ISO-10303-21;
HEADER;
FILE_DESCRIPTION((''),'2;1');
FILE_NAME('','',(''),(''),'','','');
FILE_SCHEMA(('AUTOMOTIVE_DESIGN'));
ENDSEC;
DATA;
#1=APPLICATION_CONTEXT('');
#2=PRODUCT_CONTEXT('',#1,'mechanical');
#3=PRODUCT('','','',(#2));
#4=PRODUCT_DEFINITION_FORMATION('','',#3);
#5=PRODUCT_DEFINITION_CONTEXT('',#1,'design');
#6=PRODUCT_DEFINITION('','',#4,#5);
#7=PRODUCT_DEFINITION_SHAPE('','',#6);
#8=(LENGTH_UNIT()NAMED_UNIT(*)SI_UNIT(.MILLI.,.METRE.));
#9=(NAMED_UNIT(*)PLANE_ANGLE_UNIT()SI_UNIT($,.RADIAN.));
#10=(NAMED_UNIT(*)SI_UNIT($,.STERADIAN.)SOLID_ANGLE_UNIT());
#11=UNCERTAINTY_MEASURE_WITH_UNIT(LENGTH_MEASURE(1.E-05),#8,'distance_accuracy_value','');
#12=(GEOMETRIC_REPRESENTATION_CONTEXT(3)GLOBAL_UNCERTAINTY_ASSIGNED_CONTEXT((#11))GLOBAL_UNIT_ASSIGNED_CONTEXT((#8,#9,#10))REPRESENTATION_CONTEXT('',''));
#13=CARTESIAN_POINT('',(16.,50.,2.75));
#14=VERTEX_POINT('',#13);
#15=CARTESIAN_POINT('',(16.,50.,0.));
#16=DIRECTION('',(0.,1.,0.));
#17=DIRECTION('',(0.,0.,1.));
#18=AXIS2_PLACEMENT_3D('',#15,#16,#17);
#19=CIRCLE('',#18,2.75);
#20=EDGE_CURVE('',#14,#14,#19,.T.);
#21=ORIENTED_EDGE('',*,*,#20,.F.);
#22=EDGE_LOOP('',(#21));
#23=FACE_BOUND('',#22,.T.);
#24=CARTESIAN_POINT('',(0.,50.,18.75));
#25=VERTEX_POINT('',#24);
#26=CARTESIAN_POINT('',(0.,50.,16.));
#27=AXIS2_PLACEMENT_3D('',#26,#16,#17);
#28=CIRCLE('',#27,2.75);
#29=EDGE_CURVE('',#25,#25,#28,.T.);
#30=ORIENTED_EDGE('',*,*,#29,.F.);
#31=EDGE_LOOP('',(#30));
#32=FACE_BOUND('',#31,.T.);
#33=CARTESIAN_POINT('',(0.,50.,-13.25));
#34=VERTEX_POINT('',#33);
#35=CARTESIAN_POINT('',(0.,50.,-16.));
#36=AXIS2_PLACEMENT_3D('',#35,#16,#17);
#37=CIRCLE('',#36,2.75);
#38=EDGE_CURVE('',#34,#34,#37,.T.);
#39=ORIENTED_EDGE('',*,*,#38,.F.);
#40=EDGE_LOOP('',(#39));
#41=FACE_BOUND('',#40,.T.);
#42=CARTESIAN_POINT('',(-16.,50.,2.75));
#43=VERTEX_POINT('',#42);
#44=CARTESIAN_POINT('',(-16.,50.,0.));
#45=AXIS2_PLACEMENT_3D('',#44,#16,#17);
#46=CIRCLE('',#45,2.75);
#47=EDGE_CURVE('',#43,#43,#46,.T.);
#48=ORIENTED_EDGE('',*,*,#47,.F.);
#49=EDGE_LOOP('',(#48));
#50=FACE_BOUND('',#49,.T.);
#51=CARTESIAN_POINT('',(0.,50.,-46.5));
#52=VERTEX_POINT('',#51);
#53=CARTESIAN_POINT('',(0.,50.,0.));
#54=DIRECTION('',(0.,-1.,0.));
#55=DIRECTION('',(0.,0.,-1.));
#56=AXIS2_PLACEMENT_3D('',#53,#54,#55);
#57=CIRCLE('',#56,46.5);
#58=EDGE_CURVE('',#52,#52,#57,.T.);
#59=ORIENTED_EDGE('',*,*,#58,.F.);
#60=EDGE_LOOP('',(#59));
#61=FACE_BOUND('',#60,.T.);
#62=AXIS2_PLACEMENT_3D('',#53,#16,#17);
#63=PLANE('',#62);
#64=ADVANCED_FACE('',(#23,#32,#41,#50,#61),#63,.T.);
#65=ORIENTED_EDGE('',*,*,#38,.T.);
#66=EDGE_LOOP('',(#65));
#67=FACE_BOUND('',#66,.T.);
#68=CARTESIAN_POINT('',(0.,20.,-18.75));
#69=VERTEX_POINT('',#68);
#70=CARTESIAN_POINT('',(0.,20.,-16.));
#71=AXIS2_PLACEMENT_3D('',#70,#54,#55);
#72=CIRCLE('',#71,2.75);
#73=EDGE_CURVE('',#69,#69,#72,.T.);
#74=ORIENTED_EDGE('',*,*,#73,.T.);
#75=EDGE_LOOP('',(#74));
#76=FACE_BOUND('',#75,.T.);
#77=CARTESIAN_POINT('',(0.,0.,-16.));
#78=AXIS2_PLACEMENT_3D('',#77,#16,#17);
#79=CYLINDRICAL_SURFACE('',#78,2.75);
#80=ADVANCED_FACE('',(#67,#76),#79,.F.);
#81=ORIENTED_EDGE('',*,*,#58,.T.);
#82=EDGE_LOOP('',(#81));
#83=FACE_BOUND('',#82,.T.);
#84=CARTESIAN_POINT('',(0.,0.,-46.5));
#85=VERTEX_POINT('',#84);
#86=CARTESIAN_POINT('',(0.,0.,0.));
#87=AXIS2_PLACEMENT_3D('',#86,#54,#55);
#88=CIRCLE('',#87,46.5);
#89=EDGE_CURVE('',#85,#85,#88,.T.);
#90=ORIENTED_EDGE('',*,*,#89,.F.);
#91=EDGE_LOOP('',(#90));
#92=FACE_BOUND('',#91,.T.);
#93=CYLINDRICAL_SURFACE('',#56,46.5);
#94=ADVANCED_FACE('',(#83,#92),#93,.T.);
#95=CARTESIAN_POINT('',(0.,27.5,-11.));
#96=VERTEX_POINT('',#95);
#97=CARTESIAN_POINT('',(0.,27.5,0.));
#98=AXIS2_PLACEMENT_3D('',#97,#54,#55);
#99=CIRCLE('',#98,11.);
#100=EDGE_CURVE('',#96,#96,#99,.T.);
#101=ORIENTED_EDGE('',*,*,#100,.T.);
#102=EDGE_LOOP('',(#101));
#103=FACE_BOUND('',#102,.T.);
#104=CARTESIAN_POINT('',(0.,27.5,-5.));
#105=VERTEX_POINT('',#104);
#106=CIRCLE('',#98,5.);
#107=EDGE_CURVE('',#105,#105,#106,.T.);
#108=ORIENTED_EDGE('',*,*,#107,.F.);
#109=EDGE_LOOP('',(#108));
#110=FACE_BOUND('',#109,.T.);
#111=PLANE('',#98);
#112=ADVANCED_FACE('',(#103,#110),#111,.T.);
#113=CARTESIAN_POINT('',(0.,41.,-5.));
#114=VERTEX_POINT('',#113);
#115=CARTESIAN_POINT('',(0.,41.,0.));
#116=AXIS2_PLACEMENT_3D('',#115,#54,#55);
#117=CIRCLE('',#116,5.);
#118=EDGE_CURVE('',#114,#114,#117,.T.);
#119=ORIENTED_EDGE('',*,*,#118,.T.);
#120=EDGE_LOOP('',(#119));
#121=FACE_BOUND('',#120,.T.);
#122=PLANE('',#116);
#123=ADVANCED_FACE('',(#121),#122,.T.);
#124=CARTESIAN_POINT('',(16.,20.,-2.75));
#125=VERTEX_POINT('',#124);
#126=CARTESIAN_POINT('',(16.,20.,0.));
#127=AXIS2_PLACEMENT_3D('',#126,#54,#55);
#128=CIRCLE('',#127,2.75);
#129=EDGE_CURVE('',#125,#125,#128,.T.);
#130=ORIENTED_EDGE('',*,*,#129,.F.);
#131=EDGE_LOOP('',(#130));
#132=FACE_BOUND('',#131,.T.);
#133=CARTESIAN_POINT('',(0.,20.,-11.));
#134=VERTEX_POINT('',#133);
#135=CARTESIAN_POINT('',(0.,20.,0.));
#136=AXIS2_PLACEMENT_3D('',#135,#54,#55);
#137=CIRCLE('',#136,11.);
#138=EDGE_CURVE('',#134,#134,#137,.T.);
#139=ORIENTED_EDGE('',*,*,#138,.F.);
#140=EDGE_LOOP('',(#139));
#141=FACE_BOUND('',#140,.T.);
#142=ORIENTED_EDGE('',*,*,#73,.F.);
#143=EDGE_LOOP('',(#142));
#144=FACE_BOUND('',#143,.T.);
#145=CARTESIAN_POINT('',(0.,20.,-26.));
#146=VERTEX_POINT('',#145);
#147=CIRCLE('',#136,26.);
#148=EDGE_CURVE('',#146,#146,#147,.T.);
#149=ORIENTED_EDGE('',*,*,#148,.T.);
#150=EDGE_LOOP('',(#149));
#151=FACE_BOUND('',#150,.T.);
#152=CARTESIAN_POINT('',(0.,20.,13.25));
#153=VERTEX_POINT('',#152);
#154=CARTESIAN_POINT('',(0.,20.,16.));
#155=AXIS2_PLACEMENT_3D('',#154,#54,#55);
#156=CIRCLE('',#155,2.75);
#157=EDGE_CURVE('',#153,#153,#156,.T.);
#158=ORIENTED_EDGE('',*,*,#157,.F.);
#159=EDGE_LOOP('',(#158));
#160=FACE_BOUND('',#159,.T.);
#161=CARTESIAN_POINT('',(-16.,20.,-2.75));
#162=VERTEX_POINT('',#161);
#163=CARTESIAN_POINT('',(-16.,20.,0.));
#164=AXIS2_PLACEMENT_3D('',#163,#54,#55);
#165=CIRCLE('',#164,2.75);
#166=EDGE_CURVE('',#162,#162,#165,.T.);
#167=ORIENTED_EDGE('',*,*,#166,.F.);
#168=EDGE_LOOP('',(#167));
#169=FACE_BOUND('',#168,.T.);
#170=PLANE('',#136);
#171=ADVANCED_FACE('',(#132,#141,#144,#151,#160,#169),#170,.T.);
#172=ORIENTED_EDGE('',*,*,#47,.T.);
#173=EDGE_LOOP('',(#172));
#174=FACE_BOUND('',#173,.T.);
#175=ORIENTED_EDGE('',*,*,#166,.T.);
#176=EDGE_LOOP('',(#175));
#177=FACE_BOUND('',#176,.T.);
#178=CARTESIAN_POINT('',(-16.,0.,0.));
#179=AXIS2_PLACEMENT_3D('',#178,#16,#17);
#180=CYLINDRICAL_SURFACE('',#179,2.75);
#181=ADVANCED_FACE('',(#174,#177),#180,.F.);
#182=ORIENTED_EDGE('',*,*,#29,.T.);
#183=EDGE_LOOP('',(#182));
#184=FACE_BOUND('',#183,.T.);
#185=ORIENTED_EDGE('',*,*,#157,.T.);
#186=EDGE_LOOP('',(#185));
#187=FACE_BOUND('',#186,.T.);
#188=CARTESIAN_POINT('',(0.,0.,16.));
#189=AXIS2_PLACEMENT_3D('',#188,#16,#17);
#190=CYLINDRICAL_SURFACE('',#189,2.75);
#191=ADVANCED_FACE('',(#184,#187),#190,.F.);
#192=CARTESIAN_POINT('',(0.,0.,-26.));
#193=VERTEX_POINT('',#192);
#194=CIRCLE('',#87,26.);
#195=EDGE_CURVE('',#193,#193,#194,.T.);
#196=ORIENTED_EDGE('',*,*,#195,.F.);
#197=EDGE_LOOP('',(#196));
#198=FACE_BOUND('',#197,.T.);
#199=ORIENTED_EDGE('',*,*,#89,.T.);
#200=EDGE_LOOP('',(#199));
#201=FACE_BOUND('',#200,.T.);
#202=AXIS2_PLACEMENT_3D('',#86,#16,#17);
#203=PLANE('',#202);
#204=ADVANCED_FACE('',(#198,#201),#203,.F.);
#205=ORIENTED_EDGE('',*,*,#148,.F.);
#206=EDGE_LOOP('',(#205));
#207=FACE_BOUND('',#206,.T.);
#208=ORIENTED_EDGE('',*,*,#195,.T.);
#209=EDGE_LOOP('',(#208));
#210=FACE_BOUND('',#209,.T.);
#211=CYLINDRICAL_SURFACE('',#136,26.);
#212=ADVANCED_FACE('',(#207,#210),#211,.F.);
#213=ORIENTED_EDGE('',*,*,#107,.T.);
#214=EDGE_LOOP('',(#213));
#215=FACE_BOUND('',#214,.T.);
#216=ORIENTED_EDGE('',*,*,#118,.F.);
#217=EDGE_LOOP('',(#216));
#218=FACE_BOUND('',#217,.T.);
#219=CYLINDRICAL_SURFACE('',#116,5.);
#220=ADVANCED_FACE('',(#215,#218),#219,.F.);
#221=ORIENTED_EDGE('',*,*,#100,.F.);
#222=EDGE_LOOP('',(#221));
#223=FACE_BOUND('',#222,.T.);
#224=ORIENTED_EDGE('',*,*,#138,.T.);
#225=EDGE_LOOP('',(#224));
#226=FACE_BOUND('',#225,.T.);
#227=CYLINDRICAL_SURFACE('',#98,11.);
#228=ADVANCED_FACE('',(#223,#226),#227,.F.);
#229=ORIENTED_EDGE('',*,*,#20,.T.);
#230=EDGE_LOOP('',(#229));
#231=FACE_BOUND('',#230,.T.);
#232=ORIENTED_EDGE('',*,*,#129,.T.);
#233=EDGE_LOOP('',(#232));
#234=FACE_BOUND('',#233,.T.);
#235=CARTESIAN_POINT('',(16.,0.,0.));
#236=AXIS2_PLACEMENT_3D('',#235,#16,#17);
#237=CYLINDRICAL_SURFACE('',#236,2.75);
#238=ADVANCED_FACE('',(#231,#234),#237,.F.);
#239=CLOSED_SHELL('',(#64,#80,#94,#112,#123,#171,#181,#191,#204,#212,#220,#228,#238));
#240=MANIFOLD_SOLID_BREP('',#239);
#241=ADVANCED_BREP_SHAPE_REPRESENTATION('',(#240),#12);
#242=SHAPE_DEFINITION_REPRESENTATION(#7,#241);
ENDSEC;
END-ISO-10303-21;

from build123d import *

# Parameters (mm, degrees)
ESQUISSE1_R              = 47.75
BOSS_EXTRU_1_DEPTH       = 50
ESQUISSE2_R              = 26
ENL_V_MAT_EXTRU_1_DEPTH  = 20
ESQUISSE3_R              = 11
ENL_V_MAT_EXTRU_5_DEPTH  = 7.5
ESQUISSE4_R              = 5
ENL_V_MAT_EXTRU_6_DEPTH  = 13.5
ESQUISSE11_R             = 2.75
ENL_V_MAT_EXTRU_11_DEPTH = 85.024549984
ESQUISSE12_R             = 47.75
ESQUISSE12_R_2           = 46.5
ENL_V_MAT_EXTRU_12_DEPTH = 85.024549984


with BuildPart() as part:
    # Esquisse1 → Boss.-Extru.1 (new body)
    with BuildSketch(Plane(origin=(0, 0, 0), x_dir=(1, 0, 0), z_dir=(0, 1, 0))):
        with Locations(Location((0, 0, 0), (0, 0, 270))):
            Circle(ESQUISSE1_R)
    extrude(amount=BOSS_EXTRU_1_DEPTH)

    # Esquisse2 → Enlèv. mat.-Extru.1 (cut)
    with BuildSketch(Plane(origin=(0, 0, 0), x_dir=(-1, 0, 0), z_dir=(0, -1, 0))):
        with Locations(Location((0, 0, 0), (0, 0, 90))):
            Circle(ESQUISSE2_R)
    extrude(amount=-ENL_V_MAT_EXTRU_1_DEPTH, mode=Mode.SUBTRACT)

    # Esquisse3 → Enlèv. mat.-Extru.5 (cut)
    with BuildSketch(Plane(origin=(0, 20, 0), x_dir=(-1, 0, 0), z_dir=(0, -1, 0))):
        with Locations(Location((0, 0, 0), (0, 0, 90))):
            Circle(ESQUISSE3_R)
    extrude(amount=-ENL_V_MAT_EXTRU_5_DEPTH, mode=Mode.SUBTRACT)

    # Esquisse4 → Enlèv. mat.-Extru.6 (cut)
    with BuildSketch(Plane(origin=(0, 27.5, 0), x_dir=(-1, 0, 0), z_dir=(0, -1, 0))):
        with Locations(Location((0, 0, 0), (0, 0, 90))):
            Circle(ESQUISSE4_R)
    extrude(amount=-ENL_V_MAT_EXTRU_6_DEPTH, mode=Mode.SUBTRACT)

    # Esquisse11 → Enlèv. mat.-Extru.11 (cut, through all)
    with BuildSketch(Plane(origin=(0, 50, 0), x_dir=(1, 0, 0), z_dir=(0, 1, 0))):
        with Locations(Location((-16, 0, 0), (0, 0, 270))):
            Circle(ESQUISSE11_R)
        with Locations(Location((0, 16, 0), (0, 0, 270))):
            Circle(ESQUISSE11_R)
        with Locations(Location((16, 0, 0), (0, 0, 270))):
            Circle(ESQUISSE11_R)
        with Locations(Location((0, -16, 0), (0, 0, 270))):
            Circle(ESQUISSE11_R)
    extrude(amount=-ENL_V_MAT_EXTRU_11_DEPTH, mode=Mode.SUBTRACT)

    # Esquisse12 → Enlèv. mat.-Extru.12 (cut, through all)
    with BuildSketch(Plane.XZ):
        Circle(ESQUISSE12_R)
        with Locations(Location((0, 0, 0), (0, 0, 270))):
            Circle(ESQUISSE12_R_2, mode=Mode.SUBTRACT)
    extrude(amount=-ENL_V_MAT_EXTRU_12_DEPTH, mode=Mode.SUBTRACT)


solid = part.part
